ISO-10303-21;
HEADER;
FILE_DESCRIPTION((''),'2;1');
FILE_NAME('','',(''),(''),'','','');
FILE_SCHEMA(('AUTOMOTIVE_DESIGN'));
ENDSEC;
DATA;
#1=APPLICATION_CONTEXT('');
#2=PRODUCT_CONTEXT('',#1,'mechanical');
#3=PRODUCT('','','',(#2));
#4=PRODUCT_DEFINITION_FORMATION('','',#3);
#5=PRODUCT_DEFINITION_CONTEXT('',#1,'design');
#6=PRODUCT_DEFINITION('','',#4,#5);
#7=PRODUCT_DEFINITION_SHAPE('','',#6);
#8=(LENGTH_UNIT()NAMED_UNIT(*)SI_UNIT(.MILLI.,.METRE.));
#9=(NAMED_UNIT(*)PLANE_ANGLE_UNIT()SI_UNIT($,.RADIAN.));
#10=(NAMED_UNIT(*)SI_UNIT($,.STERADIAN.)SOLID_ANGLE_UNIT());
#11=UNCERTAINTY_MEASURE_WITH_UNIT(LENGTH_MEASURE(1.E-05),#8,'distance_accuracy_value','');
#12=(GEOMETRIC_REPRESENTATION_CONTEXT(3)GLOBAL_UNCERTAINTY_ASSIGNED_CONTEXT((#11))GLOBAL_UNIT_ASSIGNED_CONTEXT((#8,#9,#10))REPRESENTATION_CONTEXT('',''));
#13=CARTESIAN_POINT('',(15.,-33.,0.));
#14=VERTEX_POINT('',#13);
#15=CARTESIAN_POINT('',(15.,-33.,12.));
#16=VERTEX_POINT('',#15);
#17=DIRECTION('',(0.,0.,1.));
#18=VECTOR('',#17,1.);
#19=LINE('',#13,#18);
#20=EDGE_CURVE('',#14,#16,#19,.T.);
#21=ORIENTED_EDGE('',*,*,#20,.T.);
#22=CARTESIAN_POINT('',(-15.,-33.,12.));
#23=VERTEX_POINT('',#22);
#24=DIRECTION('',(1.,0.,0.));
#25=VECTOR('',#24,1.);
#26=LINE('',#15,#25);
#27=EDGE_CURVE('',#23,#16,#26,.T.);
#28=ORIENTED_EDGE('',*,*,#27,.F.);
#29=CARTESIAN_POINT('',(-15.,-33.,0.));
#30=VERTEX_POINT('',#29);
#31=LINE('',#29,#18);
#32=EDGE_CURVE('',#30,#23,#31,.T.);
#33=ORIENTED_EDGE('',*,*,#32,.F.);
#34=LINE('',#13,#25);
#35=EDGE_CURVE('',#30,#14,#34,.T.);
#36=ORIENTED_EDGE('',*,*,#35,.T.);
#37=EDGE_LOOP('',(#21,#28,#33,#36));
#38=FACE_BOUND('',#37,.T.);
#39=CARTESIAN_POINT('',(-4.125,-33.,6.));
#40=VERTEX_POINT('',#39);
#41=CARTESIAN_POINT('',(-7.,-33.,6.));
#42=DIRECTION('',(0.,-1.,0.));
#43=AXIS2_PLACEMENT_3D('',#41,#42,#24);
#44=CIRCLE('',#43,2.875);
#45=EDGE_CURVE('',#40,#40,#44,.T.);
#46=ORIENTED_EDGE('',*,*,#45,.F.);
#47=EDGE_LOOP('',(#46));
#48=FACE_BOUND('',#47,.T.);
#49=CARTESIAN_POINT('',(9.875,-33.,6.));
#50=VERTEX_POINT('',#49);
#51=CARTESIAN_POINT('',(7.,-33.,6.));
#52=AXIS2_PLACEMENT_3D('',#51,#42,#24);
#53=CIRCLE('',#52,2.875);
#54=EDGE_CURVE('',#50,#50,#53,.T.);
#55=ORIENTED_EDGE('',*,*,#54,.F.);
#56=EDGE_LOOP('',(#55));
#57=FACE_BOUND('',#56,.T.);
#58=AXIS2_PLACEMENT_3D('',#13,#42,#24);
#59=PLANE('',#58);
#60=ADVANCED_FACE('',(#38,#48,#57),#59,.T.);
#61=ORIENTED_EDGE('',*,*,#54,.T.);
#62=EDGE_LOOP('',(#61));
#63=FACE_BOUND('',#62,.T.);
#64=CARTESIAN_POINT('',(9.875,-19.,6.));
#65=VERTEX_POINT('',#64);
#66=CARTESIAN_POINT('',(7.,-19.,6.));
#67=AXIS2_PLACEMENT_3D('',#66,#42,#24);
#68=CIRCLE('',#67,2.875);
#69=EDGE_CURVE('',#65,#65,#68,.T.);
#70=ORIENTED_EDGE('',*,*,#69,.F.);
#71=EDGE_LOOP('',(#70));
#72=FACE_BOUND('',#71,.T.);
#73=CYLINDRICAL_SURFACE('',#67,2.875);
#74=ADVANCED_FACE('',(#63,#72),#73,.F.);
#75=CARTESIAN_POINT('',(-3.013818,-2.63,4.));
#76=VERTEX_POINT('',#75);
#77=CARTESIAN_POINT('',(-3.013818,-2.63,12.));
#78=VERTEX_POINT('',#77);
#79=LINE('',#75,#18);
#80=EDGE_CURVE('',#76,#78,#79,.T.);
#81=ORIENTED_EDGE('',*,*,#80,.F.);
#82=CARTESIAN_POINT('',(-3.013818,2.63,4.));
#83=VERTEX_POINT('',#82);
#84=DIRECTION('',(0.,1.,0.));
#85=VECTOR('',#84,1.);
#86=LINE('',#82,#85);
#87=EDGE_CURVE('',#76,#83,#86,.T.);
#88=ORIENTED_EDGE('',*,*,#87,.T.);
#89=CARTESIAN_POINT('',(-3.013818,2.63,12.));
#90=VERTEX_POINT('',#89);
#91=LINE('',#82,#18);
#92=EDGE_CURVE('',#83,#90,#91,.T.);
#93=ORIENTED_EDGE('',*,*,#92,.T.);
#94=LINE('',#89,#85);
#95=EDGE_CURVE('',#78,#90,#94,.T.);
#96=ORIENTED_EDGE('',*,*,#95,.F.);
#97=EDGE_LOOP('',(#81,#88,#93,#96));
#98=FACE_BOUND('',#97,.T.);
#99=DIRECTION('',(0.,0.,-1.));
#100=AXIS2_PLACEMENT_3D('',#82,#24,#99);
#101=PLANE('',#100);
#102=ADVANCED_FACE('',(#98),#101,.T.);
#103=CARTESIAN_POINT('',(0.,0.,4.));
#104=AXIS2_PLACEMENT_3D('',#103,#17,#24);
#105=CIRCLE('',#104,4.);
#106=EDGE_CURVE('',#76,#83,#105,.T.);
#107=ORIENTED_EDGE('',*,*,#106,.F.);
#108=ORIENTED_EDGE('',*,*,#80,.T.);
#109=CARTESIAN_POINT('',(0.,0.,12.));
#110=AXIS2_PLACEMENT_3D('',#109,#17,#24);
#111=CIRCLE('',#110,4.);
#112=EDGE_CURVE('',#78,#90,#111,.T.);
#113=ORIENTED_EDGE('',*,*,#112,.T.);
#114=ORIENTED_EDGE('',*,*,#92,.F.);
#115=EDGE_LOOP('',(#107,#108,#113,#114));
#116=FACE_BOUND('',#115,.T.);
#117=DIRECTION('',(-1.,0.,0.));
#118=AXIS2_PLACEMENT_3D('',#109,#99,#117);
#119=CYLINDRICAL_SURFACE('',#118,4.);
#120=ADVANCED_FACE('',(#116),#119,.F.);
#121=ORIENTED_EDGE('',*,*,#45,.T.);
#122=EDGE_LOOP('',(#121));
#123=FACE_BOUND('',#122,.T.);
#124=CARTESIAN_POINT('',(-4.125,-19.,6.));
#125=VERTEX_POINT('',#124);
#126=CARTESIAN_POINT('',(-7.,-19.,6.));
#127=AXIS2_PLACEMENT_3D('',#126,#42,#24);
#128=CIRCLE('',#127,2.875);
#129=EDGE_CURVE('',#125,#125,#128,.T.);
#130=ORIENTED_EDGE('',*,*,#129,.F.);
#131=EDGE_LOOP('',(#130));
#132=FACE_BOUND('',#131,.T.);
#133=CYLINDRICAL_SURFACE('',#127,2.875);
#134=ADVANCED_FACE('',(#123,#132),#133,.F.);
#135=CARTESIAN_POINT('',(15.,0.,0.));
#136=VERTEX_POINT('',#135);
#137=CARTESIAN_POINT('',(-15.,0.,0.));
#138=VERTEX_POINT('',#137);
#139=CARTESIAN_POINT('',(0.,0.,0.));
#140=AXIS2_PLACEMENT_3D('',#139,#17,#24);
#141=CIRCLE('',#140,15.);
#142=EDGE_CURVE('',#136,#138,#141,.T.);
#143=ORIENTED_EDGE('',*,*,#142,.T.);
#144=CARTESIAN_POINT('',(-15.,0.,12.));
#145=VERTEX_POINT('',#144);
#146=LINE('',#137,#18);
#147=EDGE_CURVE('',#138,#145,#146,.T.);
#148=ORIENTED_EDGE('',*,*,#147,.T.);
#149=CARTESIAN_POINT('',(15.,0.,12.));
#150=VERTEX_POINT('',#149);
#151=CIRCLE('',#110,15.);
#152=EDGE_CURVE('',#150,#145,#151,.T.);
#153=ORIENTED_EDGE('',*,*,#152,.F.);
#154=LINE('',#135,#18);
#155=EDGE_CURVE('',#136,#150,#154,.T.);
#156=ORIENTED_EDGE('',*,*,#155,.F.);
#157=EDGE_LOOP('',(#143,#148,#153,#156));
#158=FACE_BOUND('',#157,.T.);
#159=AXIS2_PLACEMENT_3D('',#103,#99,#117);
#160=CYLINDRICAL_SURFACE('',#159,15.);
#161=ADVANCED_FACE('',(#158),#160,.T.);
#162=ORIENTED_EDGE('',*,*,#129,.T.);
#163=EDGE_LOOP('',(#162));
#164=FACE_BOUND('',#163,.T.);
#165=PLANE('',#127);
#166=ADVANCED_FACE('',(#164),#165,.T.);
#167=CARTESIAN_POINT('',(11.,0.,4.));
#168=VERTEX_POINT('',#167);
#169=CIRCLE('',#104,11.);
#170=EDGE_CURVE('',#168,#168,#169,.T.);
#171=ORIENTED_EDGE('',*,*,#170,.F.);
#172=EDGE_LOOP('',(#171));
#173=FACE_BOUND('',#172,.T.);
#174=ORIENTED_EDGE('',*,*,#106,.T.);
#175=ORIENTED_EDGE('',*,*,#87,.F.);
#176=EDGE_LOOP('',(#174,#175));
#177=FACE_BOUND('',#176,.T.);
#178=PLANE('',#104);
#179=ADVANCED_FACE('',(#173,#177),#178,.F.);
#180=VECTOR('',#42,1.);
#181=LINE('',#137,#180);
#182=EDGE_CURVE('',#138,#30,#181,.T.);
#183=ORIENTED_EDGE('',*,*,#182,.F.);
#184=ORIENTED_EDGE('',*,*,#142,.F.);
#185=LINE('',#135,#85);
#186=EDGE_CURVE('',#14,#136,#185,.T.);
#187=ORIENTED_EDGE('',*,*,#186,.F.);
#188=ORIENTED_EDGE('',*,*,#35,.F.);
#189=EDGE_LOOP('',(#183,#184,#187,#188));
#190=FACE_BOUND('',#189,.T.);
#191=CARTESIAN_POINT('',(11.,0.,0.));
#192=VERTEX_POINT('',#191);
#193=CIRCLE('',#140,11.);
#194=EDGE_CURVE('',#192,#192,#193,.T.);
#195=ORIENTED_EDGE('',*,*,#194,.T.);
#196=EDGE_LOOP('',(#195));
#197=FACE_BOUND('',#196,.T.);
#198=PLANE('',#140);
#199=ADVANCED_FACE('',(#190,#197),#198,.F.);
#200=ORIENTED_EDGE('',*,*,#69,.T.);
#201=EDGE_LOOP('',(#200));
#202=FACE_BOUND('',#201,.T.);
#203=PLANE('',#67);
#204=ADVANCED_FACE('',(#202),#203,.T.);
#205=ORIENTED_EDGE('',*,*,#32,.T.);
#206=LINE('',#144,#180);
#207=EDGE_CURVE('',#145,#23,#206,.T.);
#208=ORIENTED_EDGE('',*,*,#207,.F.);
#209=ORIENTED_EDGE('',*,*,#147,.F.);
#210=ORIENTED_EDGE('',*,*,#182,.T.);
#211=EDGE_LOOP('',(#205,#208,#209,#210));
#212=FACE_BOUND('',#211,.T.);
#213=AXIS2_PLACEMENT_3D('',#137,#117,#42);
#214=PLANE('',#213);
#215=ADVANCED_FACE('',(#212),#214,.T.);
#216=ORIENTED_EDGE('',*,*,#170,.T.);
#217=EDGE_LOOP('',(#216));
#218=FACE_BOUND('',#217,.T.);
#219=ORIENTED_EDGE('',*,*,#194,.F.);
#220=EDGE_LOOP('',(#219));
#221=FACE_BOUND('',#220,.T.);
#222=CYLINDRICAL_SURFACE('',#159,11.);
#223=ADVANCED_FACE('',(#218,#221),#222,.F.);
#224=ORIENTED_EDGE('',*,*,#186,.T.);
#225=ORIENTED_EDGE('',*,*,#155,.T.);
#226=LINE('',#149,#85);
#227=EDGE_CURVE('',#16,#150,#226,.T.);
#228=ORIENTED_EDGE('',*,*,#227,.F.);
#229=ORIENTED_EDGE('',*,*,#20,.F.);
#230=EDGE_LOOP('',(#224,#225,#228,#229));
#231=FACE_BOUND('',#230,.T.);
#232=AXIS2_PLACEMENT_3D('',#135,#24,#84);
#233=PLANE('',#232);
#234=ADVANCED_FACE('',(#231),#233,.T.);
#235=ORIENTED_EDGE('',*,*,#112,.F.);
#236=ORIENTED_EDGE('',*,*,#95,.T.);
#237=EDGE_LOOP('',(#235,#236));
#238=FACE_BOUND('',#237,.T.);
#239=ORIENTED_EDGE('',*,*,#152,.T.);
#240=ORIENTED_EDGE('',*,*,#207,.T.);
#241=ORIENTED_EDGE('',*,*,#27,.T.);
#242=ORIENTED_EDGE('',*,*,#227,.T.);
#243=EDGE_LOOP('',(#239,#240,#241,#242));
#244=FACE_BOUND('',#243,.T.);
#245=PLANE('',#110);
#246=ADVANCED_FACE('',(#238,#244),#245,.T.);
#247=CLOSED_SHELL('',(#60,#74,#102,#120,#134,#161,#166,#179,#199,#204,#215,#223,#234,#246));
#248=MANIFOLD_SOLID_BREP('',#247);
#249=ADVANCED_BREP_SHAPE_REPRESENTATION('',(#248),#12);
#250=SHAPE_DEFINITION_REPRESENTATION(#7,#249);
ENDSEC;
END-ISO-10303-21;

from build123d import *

# Parameters (mm, degrees)
SKETCH2_R           = 15
SKETCH2_R_2         = 11
BOSS_EXTRUDE1_DEPTH = 4
SKETCH3_R           = 15
SKETCH3_R_2         = 4
BOSS_EXTRUDE2_DEPTH = 8
BOSS_EXTRUDE5_DEPTH = 12
BOSS_EXTRUDE7_DEPTH = 8
SKETCH9_R           = 2.875
CUT_EXTRUDE1_DEPTH  = 14


with BuildPart() as part:
    # Sketch2 → Boss-Extrude1 (new body)
    with BuildSketch(Plane.XY):
        Circle(SKETCH2_R)
        Circle(SKETCH2_R_2, mode=Mode.SUBTRACT)
    extrude(amount=BOSS_EXTRUDE1_DEPTH)

    # Sketch3 → Boss-Extrude2 (add)
    with BuildSketch(Plane.XY.offset(4)):
        Circle(SKETCH3_R)
        Circle(SKETCH3_R_2, mode=Mode.SUBTRACT)
    extrude(amount=BOSS_EXTRUDE2_DEPTH)

    # Sketch6 → Boss-Extrude5 (add)
    with BuildSketch(Plane.XY.offset(12)):
        with BuildLine():
            Line((-15, 0), (-15, -33))
            Line((-15, -33), (15, -33))
            Line((15, -33), (15, 0))
            ThreePointArc((15, 0), (0, -15), (-15, 0))
        make_face()
    extrude(amount=-BOSS_EXTRUDE5_DEPTH)

    # Sketch8 → Boss-Extrude7 (add)
    with BuildSketch(Plane.XY.offset(12)):
        with BuildLine():
            Line((-3.013818176, 2.63), (-3.013818176, -2.63))
            ThreePointArc((-3.013818176, -2.63), (-4, 0), (-3.013818176, 2.63))
        make_face()
    extrude(amount=-BOSS_EXTRUDE7_DEPTH)

    # Sketch9 → Cut-Extrude1 (cut)
    with BuildSketch(Plane.XZ.offset(33)):
        with Locations((-7, 6)):
            Circle(SKETCH9_R)
        with Locations((7, 6)):
            Circle(SKETCH9_R)
    extrude(amount=-CUT_EXTRUDE1_DEPTH, mode=Mode.SUBTRACT)


solid = part.part
